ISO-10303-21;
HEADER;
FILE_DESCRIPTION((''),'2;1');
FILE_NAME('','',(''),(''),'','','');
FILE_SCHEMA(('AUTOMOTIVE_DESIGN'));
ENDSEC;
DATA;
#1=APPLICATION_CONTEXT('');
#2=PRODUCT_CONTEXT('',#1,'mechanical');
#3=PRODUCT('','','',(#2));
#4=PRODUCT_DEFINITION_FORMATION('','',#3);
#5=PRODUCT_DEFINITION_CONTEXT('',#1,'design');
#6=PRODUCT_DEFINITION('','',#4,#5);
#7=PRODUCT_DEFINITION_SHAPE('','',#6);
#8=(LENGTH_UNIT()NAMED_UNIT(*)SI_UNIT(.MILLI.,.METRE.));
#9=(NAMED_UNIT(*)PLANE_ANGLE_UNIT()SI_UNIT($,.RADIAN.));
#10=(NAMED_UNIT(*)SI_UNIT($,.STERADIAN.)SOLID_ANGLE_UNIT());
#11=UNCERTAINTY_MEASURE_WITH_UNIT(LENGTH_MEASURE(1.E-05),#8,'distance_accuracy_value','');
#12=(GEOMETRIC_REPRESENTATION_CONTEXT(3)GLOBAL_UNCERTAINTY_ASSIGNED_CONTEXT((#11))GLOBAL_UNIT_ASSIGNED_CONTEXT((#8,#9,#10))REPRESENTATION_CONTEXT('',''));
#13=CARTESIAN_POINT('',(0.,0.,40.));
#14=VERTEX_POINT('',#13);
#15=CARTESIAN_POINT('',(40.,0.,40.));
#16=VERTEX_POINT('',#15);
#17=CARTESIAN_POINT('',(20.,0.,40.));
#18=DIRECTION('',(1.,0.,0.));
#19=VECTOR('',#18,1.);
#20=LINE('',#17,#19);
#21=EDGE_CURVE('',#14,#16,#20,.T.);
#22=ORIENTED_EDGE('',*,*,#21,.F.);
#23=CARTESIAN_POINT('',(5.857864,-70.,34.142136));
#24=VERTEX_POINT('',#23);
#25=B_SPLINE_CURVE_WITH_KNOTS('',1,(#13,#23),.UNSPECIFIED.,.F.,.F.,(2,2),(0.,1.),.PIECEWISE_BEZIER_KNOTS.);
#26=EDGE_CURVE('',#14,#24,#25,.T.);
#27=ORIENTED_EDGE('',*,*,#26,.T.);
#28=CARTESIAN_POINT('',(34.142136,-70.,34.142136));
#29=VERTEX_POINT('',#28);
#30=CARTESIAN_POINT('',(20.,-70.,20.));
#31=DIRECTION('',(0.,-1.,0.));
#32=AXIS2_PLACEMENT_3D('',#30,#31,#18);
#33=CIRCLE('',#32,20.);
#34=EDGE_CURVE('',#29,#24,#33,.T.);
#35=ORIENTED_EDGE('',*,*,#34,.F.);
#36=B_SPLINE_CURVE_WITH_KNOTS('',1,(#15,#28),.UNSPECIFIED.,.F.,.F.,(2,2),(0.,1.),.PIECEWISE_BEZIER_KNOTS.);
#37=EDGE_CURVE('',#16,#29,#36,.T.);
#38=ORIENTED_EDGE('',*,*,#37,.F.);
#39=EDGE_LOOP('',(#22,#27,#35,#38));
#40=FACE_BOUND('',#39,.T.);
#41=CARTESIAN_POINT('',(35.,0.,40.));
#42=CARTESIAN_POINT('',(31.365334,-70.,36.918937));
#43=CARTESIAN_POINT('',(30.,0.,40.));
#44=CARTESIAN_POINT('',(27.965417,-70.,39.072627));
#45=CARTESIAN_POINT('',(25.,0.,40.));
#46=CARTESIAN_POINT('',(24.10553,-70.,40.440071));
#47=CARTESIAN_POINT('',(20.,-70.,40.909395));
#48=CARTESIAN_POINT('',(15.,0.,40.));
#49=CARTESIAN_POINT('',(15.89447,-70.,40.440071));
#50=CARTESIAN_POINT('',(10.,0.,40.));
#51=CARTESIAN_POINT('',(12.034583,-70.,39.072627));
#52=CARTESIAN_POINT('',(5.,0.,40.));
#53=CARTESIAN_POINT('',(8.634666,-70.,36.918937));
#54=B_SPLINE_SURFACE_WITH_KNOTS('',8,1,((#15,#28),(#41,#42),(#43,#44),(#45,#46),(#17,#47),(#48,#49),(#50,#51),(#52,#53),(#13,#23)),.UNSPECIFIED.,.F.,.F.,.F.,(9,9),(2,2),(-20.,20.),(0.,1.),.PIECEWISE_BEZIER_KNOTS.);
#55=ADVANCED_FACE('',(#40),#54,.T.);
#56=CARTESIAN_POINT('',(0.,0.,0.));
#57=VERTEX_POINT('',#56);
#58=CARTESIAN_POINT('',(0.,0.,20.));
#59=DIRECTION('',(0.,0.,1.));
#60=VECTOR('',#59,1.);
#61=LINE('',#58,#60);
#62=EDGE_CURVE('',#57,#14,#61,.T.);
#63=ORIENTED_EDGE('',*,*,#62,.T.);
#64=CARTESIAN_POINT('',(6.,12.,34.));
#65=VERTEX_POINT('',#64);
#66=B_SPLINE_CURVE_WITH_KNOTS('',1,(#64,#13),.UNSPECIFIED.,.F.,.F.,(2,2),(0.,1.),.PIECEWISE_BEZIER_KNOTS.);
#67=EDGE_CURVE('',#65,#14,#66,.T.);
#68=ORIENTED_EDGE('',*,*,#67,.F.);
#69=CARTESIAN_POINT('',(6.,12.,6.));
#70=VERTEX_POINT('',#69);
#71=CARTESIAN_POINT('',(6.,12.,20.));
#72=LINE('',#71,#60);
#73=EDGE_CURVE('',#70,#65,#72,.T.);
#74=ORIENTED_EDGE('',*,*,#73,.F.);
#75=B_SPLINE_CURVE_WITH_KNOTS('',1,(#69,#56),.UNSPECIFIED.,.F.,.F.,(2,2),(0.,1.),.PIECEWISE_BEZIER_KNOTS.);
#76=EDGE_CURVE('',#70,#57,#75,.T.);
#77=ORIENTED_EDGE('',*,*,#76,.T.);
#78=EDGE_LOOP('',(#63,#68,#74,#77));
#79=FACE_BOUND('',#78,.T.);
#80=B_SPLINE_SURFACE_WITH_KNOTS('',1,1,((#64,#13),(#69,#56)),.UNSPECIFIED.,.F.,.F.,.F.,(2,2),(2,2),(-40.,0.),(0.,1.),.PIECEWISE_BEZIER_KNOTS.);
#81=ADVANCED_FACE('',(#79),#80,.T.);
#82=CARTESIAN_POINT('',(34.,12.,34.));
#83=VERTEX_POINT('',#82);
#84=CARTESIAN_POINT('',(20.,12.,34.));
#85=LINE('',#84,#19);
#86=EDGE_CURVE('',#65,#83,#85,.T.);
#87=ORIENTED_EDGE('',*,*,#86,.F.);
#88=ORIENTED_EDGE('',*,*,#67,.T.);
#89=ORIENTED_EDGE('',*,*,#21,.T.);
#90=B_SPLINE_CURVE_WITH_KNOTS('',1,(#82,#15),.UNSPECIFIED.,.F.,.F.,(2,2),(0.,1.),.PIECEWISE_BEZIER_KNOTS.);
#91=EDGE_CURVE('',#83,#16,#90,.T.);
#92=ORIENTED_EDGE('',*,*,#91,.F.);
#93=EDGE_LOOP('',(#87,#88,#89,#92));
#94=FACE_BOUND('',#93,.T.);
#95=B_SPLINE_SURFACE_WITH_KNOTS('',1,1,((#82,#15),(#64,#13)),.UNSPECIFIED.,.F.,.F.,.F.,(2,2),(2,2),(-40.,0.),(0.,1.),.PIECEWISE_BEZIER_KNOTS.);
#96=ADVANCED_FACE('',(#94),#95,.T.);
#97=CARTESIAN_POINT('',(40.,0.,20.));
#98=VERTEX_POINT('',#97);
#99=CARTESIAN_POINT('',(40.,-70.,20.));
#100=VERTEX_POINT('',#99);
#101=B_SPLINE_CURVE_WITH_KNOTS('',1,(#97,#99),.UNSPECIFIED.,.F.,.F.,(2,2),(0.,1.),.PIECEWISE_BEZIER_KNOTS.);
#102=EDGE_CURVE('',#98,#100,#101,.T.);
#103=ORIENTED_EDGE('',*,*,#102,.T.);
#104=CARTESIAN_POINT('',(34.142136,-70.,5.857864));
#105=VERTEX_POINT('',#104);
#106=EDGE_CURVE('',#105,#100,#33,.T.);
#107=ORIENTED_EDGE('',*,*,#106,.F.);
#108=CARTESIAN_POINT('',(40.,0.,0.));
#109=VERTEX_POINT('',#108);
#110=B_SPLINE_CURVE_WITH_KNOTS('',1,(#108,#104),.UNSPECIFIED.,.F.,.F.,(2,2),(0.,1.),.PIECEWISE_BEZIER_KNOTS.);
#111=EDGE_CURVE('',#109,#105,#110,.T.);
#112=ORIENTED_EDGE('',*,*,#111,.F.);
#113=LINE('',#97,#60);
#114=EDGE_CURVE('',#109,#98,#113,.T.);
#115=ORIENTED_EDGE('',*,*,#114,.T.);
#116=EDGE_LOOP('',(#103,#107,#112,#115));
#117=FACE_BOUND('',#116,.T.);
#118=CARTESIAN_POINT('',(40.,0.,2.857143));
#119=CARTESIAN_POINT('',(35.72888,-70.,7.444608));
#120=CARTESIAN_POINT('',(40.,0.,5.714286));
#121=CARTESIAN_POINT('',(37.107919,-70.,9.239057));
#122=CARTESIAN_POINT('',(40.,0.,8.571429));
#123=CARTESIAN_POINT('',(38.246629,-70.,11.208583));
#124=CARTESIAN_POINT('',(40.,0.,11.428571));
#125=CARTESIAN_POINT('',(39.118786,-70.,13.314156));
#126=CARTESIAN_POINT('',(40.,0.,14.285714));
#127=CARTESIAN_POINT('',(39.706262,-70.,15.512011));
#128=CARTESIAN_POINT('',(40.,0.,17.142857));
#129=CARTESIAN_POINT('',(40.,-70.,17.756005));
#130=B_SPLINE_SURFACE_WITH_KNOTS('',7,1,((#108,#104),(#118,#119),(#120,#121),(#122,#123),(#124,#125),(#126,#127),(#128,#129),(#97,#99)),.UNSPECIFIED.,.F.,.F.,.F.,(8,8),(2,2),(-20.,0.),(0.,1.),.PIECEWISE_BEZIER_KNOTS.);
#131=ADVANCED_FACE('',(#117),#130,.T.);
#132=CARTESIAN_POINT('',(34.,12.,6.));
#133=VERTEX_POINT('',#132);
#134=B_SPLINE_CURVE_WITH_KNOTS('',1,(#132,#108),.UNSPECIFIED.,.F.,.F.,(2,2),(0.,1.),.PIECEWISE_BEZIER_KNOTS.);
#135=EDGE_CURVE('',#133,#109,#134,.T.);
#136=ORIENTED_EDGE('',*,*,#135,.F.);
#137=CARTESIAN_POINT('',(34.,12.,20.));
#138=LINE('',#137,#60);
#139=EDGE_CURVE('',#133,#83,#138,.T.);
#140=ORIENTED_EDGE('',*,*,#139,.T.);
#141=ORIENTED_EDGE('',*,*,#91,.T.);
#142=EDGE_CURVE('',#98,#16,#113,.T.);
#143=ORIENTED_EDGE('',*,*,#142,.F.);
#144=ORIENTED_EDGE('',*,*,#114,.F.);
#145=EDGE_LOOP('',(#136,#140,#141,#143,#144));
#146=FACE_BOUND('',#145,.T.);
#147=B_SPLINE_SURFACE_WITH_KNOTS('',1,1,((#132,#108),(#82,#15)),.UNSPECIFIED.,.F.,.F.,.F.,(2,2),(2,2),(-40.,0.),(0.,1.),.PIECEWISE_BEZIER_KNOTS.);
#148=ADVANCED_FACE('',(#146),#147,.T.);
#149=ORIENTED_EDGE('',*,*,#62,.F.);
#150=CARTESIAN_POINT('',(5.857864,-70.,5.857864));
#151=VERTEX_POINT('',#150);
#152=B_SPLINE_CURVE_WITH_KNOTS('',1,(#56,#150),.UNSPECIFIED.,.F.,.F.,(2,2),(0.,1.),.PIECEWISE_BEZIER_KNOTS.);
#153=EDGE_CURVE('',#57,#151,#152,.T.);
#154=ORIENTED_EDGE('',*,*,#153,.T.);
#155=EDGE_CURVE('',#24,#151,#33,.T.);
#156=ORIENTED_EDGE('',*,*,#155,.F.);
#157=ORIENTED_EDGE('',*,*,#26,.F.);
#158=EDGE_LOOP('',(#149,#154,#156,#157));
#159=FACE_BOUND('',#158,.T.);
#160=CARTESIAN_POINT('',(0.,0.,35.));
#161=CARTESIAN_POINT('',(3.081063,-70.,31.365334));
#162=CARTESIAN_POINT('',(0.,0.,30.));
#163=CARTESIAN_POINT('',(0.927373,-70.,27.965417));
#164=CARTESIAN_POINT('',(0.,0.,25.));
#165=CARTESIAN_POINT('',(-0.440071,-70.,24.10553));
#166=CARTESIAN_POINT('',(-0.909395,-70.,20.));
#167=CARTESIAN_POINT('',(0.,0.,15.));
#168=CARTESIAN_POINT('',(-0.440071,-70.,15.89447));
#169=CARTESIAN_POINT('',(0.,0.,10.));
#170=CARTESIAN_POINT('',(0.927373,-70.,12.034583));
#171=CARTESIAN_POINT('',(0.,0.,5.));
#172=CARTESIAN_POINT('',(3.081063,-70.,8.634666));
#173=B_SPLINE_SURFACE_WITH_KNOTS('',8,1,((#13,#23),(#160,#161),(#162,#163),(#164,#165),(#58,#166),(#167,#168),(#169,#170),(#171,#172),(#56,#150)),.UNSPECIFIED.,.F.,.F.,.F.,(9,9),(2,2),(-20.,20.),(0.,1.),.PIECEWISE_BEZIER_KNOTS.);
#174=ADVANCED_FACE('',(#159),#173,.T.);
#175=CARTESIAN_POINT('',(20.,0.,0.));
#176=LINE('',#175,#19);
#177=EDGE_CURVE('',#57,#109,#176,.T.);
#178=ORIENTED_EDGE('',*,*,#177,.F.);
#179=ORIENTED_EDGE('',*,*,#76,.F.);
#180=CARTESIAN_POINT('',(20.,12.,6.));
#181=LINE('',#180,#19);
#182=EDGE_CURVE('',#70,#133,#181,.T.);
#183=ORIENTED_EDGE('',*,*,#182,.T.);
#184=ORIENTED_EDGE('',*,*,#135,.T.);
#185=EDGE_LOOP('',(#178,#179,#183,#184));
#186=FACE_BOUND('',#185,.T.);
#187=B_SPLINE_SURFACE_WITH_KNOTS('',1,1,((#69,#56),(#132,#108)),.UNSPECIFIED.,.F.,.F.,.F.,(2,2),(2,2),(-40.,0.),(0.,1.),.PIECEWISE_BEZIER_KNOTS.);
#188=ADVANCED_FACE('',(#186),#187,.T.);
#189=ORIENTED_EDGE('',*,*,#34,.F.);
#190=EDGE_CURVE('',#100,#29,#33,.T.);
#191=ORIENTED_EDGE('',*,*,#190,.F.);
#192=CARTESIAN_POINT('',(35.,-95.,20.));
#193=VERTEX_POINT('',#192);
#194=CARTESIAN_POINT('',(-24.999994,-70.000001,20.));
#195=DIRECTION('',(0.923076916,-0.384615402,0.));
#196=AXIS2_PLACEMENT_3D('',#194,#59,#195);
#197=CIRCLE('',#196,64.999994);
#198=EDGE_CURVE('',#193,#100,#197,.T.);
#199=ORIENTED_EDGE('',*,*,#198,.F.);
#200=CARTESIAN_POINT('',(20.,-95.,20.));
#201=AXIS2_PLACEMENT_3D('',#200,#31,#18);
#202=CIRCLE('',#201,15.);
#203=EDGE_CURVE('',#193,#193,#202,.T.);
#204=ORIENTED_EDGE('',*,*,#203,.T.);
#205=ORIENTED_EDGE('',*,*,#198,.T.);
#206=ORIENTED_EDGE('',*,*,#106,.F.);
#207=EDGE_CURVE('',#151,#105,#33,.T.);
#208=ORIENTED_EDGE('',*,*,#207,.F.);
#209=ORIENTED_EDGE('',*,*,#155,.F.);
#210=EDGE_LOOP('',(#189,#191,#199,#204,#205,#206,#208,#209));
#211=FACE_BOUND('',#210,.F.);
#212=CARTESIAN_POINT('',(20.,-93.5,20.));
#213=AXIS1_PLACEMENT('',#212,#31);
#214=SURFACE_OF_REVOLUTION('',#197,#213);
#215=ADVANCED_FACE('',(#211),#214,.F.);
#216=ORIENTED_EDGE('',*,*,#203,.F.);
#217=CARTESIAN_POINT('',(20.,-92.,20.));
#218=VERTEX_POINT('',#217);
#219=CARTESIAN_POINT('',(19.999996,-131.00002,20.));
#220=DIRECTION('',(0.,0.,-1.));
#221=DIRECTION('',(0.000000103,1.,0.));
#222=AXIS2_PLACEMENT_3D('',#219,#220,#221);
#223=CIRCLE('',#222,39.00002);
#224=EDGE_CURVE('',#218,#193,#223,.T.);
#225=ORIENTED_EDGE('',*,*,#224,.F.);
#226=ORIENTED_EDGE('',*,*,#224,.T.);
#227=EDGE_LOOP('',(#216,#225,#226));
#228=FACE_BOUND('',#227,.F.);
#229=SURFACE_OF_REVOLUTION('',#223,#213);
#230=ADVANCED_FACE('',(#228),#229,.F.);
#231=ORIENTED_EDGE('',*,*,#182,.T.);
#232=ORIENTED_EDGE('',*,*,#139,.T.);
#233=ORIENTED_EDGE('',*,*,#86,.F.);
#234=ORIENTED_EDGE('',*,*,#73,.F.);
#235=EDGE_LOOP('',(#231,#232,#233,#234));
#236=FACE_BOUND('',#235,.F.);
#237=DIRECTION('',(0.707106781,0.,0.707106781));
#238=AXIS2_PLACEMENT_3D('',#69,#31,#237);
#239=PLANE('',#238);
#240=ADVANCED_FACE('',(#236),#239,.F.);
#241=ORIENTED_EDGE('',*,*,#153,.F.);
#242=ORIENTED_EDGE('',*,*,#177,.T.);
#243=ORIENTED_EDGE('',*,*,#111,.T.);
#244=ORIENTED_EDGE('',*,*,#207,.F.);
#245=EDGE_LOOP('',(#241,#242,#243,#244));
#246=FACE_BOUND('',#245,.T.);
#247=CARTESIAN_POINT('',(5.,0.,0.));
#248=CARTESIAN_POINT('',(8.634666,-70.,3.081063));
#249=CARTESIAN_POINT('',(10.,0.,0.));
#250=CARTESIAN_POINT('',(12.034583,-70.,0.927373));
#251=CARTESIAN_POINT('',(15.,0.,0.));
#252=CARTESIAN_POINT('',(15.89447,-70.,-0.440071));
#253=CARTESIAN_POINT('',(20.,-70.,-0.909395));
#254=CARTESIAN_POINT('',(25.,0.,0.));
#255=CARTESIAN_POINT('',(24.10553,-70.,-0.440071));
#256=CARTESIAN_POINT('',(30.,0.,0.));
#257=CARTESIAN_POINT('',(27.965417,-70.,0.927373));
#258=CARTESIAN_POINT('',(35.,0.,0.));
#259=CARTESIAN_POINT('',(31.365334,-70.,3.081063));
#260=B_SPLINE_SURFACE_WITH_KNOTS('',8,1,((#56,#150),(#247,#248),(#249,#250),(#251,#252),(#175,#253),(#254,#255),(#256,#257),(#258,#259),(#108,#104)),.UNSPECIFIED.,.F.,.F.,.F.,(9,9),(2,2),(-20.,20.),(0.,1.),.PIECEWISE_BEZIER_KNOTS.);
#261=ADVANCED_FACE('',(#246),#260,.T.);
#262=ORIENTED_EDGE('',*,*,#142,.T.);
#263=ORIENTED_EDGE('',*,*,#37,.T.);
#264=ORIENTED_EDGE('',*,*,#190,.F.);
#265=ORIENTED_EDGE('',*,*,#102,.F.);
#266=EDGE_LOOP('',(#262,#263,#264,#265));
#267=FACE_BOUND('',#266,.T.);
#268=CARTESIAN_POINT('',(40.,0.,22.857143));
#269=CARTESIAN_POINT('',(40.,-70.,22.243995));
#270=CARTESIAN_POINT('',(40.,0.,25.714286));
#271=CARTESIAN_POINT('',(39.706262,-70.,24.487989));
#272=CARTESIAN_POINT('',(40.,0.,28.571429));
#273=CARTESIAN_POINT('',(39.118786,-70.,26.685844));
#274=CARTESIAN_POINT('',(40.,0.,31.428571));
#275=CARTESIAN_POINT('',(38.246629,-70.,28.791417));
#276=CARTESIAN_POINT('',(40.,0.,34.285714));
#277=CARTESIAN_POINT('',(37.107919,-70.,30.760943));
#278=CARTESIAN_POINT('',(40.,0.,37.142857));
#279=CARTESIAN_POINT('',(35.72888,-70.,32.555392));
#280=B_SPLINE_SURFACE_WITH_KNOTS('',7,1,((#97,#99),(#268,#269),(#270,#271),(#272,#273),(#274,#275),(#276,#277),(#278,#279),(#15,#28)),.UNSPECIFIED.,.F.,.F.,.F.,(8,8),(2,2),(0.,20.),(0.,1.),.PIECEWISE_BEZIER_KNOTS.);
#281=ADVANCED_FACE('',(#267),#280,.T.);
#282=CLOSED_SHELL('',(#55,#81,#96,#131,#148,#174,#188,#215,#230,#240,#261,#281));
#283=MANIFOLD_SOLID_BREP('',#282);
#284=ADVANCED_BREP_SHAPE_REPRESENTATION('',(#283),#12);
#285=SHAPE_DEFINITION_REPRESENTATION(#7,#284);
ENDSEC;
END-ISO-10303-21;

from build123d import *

# Parameters (mm, degrees)
F0_W = 40
F0_H = 40
F2_R = 20
F5_W = 28
F5_H = 28


with BuildPart() as f3:
    # F0 (on Front) → F3 section 0
    with BuildSketch(Plane.XZ):
        with Locations((20, 20)):
            Rectangle(F0_W, F0_H)
    # F2 (on offset) → F3 section 1
    with BuildSketch(Plane.XZ.offset(70)):
        with Locations((20, 20)):
            Circle(F2_R)
    loft()

    # F5 (on offset) → F6 section 0
    with BuildSketch(Plane.XZ.offset(-12)):
        with Locations((20, 20)):
            Rectangle(F5_W, F5_H)
    # F3_face (on face) → F6 section 1
    with BuildSketch(Plane(origin=(20, 0, 20), x_dir=(-1, 0, 0), z_dir=(0, 1, 0))):
        Polygon((20, -20), (20, 20), (-20, 20), (-20, 0), (-20, -20), align=None)
    loft()

    # F8 (on offset) → F9 (revolve)
    with BuildSketch(Plane.XY.offset(20)):
        with BuildLine():
            Line((40, -70), (20, -70))
            Line((20, -70), (20, -92))
            ThreePointArc((20, -92), (27.648529, -92.757354), (35, -95))
            ThreePointArc((35, -95), (38.737744, -82.747549), (40, -70))
        make_face()
    revolve(axis=Axis((20, -93.5, 20), (0, -1, 0)))


solid = f3.part
